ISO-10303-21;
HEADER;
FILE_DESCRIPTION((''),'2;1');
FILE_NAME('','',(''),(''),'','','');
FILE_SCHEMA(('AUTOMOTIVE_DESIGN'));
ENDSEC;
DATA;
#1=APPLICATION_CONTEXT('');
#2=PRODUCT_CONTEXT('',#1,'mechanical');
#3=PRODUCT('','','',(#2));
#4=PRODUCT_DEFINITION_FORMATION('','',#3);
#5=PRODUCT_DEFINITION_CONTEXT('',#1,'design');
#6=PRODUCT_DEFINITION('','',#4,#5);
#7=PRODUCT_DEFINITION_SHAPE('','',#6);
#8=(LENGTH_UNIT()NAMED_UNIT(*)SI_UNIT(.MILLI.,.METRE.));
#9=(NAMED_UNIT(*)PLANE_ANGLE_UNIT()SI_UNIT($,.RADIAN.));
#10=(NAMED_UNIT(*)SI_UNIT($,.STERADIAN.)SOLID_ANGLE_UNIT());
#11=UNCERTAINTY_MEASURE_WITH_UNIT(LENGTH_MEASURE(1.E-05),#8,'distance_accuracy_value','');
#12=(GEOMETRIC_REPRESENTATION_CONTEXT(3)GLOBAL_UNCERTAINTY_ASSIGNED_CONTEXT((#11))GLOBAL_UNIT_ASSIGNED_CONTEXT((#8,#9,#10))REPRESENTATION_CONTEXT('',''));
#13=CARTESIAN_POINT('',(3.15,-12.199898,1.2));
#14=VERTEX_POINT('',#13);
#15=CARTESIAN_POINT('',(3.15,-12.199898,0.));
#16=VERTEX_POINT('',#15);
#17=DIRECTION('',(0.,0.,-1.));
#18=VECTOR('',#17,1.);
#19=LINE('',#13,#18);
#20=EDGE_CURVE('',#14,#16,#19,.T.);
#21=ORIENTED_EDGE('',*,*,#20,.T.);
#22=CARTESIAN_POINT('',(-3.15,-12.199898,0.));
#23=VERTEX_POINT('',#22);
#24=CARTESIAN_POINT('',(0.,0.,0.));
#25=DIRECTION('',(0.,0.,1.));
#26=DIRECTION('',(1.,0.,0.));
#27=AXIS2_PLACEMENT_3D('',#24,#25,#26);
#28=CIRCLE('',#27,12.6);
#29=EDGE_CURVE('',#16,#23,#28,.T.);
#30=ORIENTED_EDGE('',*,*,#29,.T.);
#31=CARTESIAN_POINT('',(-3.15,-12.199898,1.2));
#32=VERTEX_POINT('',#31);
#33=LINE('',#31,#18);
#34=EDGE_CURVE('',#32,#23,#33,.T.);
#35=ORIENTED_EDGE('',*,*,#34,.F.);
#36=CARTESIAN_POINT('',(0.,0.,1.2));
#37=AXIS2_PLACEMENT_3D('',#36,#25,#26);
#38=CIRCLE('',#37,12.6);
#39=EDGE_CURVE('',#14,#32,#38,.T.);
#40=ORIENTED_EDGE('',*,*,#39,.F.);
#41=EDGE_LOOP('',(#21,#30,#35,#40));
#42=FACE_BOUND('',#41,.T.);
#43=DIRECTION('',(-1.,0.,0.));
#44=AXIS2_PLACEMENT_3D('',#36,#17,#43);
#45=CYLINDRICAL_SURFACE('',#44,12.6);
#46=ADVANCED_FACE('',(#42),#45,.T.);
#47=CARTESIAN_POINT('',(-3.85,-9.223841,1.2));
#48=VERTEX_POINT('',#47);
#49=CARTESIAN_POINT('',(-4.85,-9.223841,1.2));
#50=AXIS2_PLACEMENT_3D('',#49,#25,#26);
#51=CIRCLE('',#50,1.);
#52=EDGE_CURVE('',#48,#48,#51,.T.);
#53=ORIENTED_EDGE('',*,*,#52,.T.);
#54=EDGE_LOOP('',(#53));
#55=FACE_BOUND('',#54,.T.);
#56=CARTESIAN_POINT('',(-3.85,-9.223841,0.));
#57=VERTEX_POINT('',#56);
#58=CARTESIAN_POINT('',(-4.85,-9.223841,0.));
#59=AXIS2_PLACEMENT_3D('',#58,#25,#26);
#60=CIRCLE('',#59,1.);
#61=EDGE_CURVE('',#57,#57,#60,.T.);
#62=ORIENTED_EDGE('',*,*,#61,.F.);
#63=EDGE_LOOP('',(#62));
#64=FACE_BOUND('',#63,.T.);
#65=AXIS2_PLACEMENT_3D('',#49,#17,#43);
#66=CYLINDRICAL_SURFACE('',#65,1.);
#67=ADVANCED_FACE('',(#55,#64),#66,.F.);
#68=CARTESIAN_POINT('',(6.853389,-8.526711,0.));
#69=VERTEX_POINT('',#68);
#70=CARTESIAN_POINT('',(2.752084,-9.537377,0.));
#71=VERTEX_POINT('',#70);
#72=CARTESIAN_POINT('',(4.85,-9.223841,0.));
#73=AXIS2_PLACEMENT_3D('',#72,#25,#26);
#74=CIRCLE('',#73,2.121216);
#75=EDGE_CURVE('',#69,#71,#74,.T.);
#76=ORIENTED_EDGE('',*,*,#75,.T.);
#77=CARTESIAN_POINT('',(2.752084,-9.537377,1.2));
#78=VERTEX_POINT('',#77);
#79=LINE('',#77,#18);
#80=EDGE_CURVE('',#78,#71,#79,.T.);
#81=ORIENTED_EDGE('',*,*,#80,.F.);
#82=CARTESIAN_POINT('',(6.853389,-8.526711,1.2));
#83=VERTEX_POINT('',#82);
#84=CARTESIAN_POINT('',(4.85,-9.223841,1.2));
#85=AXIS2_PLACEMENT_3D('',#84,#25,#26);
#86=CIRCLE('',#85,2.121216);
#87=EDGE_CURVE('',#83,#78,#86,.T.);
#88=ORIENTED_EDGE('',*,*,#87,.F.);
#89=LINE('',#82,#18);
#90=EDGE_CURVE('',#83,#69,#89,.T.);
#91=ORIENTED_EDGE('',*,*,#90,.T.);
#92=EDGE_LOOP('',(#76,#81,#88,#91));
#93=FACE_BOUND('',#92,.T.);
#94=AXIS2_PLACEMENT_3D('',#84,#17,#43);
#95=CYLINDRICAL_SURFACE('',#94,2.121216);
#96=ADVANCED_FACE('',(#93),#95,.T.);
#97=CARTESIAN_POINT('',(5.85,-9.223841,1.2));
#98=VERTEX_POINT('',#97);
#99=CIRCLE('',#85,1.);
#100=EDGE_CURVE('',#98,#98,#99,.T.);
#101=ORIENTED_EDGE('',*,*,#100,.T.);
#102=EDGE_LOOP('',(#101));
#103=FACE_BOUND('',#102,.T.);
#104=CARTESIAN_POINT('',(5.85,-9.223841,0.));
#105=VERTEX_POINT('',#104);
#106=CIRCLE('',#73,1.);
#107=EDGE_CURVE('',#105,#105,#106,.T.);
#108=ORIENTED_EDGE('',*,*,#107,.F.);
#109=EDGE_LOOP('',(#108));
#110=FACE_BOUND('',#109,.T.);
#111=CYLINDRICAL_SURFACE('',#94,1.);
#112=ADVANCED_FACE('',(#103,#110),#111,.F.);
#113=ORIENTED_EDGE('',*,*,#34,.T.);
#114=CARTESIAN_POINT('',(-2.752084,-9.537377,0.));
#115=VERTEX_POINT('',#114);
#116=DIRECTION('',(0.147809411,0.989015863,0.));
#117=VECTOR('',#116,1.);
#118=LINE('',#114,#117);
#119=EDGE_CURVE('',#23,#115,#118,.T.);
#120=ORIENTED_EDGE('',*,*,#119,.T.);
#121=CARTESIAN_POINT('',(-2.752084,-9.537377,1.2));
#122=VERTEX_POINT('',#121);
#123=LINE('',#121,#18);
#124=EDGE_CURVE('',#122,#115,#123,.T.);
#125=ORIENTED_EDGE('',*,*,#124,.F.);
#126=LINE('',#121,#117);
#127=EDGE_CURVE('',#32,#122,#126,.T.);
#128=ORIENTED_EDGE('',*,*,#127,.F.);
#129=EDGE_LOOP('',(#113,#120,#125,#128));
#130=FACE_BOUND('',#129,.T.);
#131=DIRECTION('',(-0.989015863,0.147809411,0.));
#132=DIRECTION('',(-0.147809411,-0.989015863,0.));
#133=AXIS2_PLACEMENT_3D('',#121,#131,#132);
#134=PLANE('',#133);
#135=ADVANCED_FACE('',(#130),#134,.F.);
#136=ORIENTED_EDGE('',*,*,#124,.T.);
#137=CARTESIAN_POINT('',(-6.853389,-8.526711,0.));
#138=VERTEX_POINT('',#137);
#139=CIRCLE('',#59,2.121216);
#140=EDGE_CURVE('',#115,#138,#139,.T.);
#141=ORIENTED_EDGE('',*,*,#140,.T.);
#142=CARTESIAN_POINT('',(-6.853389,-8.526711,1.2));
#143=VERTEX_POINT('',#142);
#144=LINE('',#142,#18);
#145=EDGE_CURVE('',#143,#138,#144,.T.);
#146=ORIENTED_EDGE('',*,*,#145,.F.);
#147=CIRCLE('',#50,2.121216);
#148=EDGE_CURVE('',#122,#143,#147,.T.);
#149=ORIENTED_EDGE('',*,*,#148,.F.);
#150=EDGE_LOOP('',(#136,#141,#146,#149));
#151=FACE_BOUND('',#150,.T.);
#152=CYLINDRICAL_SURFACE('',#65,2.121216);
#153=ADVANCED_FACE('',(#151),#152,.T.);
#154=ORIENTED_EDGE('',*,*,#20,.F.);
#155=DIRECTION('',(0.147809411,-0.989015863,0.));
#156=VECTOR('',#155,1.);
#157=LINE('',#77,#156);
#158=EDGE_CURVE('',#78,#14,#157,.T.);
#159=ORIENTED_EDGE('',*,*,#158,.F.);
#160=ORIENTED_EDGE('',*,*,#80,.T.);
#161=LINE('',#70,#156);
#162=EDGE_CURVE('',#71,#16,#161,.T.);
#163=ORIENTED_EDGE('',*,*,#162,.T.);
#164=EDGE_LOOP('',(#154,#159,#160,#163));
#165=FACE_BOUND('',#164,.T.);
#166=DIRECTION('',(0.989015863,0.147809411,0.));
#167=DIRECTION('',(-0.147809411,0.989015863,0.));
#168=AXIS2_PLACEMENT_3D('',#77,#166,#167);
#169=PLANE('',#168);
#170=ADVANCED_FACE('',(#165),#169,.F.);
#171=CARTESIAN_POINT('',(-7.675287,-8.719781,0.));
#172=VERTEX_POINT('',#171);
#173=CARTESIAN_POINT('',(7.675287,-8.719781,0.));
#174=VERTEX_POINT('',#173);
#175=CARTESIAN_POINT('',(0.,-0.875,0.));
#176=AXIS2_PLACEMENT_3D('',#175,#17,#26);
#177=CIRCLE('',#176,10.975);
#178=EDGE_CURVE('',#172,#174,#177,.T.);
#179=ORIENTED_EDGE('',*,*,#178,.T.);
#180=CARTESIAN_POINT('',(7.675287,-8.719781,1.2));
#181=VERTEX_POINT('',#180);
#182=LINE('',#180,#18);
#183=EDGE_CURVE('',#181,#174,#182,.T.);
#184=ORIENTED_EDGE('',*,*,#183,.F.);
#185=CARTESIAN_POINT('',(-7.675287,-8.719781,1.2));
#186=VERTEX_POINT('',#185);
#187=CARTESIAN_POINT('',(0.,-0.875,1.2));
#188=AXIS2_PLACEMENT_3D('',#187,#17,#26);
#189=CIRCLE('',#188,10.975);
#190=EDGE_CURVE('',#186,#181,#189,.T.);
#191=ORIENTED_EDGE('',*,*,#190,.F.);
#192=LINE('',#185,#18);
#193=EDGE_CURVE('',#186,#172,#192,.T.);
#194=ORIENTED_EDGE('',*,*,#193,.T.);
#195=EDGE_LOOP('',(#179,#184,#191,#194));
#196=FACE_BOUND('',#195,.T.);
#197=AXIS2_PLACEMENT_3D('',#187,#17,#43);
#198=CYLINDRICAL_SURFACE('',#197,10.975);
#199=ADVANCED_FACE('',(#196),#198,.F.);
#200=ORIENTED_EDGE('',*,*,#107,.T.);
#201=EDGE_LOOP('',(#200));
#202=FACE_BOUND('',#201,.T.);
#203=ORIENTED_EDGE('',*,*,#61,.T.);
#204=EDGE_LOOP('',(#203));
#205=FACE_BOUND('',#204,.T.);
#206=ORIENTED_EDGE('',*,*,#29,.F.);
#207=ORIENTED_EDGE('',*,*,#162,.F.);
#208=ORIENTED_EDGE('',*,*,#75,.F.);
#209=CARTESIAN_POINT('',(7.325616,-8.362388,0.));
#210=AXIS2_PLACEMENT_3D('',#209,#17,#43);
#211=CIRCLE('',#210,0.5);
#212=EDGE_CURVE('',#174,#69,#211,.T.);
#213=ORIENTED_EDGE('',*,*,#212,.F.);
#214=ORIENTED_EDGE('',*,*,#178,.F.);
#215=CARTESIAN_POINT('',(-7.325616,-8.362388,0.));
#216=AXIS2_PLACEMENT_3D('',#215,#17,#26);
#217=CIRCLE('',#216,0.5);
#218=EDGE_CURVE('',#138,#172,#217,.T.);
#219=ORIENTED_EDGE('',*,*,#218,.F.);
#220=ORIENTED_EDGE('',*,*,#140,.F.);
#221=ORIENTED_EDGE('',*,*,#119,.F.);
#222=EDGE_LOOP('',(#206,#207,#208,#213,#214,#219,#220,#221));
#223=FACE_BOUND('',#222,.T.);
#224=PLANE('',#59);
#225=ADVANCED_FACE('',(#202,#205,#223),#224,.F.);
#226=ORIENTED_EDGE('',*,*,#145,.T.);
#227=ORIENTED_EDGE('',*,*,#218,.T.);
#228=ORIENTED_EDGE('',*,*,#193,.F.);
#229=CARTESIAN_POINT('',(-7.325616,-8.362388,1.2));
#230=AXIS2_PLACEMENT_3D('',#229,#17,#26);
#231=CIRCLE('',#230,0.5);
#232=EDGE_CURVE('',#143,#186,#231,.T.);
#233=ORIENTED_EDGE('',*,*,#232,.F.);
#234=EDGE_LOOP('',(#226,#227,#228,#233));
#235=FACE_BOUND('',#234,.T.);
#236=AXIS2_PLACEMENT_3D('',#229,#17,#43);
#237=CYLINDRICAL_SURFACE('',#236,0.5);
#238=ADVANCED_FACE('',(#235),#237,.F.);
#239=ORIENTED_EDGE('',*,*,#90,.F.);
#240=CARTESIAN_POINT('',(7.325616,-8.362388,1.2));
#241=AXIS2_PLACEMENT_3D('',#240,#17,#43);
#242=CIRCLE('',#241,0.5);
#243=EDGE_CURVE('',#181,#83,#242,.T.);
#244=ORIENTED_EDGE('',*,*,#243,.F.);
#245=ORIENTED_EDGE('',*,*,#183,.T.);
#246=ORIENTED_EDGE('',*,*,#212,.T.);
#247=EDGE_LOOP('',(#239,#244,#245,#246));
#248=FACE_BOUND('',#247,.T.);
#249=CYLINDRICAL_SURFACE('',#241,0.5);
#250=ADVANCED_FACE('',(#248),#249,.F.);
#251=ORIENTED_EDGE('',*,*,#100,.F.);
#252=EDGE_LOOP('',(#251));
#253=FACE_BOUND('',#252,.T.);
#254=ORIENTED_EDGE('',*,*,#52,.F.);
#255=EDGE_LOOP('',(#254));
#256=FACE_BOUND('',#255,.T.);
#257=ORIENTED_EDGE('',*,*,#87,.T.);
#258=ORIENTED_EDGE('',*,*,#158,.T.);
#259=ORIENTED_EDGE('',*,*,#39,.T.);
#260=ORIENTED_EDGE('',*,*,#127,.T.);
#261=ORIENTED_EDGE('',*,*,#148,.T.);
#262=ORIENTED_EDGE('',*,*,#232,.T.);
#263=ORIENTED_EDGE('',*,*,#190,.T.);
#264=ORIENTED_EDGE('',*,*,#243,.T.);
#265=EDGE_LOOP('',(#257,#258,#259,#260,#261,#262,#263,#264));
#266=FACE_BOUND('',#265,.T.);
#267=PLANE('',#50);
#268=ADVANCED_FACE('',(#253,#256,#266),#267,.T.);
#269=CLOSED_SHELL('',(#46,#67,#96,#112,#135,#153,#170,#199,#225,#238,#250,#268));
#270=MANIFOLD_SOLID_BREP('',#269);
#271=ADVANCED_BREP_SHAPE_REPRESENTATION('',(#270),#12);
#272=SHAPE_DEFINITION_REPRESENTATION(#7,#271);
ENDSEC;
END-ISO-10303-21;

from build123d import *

# Parameters (mm, degrees)
SKETCH1_R           = 1
BOSS_EXTRUDE1_DEPTH = 1.2


with BuildPart() as part:
    # Sketch1 → Boss-Extrude1 (new body)
    with BuildSketch(Plane.XY):
        with BuildLine():
            Line((-2.752083615, -9.537376839), (-3.15, -12.199897541))
            ThreePointArc((-3.15, -12.199897541), (0, 12.6), (3.15, -12.199897541))
            Line((3.15, -12.199897541), (2.752083615, -9.537376839))
            ThreePointArc((2.752083615, -9.537376839), (4.342461756, -7.164238569), (6.853389071, -8.526711284))
            ThreePointArc((6.853389071, -8.526711284), (7.211274213, -8.849138625), (7.675286995, -8.719781357))
            ThreePointArc((7.675286995, -8.719781357), (0, 10.1), (-7.675286995, -8.719781357))
            ThreePointArc((-7.675286995, -8.719781357), (-7.211274213, -8.849138625), (-6.853389071, -8.526711284))
            ThreePointArc((-6.853389071, -8.526711284), (-4.342461756, -7.164238569), (-2.752083615, -9.537376839))
        make_face()
        with Locations((-4.85, -9.223841134)):
            Circle(SKETCH1_R, mode=Mode.SUBTRACT)
        with Locations((4.85, -9.223841134)):
            Circle(SKETCH1_R, mode=Mode.SUBTRACT)
    extrude(amount=BOSS_EXTRUDE1_DEPTH)


solid = part.part
